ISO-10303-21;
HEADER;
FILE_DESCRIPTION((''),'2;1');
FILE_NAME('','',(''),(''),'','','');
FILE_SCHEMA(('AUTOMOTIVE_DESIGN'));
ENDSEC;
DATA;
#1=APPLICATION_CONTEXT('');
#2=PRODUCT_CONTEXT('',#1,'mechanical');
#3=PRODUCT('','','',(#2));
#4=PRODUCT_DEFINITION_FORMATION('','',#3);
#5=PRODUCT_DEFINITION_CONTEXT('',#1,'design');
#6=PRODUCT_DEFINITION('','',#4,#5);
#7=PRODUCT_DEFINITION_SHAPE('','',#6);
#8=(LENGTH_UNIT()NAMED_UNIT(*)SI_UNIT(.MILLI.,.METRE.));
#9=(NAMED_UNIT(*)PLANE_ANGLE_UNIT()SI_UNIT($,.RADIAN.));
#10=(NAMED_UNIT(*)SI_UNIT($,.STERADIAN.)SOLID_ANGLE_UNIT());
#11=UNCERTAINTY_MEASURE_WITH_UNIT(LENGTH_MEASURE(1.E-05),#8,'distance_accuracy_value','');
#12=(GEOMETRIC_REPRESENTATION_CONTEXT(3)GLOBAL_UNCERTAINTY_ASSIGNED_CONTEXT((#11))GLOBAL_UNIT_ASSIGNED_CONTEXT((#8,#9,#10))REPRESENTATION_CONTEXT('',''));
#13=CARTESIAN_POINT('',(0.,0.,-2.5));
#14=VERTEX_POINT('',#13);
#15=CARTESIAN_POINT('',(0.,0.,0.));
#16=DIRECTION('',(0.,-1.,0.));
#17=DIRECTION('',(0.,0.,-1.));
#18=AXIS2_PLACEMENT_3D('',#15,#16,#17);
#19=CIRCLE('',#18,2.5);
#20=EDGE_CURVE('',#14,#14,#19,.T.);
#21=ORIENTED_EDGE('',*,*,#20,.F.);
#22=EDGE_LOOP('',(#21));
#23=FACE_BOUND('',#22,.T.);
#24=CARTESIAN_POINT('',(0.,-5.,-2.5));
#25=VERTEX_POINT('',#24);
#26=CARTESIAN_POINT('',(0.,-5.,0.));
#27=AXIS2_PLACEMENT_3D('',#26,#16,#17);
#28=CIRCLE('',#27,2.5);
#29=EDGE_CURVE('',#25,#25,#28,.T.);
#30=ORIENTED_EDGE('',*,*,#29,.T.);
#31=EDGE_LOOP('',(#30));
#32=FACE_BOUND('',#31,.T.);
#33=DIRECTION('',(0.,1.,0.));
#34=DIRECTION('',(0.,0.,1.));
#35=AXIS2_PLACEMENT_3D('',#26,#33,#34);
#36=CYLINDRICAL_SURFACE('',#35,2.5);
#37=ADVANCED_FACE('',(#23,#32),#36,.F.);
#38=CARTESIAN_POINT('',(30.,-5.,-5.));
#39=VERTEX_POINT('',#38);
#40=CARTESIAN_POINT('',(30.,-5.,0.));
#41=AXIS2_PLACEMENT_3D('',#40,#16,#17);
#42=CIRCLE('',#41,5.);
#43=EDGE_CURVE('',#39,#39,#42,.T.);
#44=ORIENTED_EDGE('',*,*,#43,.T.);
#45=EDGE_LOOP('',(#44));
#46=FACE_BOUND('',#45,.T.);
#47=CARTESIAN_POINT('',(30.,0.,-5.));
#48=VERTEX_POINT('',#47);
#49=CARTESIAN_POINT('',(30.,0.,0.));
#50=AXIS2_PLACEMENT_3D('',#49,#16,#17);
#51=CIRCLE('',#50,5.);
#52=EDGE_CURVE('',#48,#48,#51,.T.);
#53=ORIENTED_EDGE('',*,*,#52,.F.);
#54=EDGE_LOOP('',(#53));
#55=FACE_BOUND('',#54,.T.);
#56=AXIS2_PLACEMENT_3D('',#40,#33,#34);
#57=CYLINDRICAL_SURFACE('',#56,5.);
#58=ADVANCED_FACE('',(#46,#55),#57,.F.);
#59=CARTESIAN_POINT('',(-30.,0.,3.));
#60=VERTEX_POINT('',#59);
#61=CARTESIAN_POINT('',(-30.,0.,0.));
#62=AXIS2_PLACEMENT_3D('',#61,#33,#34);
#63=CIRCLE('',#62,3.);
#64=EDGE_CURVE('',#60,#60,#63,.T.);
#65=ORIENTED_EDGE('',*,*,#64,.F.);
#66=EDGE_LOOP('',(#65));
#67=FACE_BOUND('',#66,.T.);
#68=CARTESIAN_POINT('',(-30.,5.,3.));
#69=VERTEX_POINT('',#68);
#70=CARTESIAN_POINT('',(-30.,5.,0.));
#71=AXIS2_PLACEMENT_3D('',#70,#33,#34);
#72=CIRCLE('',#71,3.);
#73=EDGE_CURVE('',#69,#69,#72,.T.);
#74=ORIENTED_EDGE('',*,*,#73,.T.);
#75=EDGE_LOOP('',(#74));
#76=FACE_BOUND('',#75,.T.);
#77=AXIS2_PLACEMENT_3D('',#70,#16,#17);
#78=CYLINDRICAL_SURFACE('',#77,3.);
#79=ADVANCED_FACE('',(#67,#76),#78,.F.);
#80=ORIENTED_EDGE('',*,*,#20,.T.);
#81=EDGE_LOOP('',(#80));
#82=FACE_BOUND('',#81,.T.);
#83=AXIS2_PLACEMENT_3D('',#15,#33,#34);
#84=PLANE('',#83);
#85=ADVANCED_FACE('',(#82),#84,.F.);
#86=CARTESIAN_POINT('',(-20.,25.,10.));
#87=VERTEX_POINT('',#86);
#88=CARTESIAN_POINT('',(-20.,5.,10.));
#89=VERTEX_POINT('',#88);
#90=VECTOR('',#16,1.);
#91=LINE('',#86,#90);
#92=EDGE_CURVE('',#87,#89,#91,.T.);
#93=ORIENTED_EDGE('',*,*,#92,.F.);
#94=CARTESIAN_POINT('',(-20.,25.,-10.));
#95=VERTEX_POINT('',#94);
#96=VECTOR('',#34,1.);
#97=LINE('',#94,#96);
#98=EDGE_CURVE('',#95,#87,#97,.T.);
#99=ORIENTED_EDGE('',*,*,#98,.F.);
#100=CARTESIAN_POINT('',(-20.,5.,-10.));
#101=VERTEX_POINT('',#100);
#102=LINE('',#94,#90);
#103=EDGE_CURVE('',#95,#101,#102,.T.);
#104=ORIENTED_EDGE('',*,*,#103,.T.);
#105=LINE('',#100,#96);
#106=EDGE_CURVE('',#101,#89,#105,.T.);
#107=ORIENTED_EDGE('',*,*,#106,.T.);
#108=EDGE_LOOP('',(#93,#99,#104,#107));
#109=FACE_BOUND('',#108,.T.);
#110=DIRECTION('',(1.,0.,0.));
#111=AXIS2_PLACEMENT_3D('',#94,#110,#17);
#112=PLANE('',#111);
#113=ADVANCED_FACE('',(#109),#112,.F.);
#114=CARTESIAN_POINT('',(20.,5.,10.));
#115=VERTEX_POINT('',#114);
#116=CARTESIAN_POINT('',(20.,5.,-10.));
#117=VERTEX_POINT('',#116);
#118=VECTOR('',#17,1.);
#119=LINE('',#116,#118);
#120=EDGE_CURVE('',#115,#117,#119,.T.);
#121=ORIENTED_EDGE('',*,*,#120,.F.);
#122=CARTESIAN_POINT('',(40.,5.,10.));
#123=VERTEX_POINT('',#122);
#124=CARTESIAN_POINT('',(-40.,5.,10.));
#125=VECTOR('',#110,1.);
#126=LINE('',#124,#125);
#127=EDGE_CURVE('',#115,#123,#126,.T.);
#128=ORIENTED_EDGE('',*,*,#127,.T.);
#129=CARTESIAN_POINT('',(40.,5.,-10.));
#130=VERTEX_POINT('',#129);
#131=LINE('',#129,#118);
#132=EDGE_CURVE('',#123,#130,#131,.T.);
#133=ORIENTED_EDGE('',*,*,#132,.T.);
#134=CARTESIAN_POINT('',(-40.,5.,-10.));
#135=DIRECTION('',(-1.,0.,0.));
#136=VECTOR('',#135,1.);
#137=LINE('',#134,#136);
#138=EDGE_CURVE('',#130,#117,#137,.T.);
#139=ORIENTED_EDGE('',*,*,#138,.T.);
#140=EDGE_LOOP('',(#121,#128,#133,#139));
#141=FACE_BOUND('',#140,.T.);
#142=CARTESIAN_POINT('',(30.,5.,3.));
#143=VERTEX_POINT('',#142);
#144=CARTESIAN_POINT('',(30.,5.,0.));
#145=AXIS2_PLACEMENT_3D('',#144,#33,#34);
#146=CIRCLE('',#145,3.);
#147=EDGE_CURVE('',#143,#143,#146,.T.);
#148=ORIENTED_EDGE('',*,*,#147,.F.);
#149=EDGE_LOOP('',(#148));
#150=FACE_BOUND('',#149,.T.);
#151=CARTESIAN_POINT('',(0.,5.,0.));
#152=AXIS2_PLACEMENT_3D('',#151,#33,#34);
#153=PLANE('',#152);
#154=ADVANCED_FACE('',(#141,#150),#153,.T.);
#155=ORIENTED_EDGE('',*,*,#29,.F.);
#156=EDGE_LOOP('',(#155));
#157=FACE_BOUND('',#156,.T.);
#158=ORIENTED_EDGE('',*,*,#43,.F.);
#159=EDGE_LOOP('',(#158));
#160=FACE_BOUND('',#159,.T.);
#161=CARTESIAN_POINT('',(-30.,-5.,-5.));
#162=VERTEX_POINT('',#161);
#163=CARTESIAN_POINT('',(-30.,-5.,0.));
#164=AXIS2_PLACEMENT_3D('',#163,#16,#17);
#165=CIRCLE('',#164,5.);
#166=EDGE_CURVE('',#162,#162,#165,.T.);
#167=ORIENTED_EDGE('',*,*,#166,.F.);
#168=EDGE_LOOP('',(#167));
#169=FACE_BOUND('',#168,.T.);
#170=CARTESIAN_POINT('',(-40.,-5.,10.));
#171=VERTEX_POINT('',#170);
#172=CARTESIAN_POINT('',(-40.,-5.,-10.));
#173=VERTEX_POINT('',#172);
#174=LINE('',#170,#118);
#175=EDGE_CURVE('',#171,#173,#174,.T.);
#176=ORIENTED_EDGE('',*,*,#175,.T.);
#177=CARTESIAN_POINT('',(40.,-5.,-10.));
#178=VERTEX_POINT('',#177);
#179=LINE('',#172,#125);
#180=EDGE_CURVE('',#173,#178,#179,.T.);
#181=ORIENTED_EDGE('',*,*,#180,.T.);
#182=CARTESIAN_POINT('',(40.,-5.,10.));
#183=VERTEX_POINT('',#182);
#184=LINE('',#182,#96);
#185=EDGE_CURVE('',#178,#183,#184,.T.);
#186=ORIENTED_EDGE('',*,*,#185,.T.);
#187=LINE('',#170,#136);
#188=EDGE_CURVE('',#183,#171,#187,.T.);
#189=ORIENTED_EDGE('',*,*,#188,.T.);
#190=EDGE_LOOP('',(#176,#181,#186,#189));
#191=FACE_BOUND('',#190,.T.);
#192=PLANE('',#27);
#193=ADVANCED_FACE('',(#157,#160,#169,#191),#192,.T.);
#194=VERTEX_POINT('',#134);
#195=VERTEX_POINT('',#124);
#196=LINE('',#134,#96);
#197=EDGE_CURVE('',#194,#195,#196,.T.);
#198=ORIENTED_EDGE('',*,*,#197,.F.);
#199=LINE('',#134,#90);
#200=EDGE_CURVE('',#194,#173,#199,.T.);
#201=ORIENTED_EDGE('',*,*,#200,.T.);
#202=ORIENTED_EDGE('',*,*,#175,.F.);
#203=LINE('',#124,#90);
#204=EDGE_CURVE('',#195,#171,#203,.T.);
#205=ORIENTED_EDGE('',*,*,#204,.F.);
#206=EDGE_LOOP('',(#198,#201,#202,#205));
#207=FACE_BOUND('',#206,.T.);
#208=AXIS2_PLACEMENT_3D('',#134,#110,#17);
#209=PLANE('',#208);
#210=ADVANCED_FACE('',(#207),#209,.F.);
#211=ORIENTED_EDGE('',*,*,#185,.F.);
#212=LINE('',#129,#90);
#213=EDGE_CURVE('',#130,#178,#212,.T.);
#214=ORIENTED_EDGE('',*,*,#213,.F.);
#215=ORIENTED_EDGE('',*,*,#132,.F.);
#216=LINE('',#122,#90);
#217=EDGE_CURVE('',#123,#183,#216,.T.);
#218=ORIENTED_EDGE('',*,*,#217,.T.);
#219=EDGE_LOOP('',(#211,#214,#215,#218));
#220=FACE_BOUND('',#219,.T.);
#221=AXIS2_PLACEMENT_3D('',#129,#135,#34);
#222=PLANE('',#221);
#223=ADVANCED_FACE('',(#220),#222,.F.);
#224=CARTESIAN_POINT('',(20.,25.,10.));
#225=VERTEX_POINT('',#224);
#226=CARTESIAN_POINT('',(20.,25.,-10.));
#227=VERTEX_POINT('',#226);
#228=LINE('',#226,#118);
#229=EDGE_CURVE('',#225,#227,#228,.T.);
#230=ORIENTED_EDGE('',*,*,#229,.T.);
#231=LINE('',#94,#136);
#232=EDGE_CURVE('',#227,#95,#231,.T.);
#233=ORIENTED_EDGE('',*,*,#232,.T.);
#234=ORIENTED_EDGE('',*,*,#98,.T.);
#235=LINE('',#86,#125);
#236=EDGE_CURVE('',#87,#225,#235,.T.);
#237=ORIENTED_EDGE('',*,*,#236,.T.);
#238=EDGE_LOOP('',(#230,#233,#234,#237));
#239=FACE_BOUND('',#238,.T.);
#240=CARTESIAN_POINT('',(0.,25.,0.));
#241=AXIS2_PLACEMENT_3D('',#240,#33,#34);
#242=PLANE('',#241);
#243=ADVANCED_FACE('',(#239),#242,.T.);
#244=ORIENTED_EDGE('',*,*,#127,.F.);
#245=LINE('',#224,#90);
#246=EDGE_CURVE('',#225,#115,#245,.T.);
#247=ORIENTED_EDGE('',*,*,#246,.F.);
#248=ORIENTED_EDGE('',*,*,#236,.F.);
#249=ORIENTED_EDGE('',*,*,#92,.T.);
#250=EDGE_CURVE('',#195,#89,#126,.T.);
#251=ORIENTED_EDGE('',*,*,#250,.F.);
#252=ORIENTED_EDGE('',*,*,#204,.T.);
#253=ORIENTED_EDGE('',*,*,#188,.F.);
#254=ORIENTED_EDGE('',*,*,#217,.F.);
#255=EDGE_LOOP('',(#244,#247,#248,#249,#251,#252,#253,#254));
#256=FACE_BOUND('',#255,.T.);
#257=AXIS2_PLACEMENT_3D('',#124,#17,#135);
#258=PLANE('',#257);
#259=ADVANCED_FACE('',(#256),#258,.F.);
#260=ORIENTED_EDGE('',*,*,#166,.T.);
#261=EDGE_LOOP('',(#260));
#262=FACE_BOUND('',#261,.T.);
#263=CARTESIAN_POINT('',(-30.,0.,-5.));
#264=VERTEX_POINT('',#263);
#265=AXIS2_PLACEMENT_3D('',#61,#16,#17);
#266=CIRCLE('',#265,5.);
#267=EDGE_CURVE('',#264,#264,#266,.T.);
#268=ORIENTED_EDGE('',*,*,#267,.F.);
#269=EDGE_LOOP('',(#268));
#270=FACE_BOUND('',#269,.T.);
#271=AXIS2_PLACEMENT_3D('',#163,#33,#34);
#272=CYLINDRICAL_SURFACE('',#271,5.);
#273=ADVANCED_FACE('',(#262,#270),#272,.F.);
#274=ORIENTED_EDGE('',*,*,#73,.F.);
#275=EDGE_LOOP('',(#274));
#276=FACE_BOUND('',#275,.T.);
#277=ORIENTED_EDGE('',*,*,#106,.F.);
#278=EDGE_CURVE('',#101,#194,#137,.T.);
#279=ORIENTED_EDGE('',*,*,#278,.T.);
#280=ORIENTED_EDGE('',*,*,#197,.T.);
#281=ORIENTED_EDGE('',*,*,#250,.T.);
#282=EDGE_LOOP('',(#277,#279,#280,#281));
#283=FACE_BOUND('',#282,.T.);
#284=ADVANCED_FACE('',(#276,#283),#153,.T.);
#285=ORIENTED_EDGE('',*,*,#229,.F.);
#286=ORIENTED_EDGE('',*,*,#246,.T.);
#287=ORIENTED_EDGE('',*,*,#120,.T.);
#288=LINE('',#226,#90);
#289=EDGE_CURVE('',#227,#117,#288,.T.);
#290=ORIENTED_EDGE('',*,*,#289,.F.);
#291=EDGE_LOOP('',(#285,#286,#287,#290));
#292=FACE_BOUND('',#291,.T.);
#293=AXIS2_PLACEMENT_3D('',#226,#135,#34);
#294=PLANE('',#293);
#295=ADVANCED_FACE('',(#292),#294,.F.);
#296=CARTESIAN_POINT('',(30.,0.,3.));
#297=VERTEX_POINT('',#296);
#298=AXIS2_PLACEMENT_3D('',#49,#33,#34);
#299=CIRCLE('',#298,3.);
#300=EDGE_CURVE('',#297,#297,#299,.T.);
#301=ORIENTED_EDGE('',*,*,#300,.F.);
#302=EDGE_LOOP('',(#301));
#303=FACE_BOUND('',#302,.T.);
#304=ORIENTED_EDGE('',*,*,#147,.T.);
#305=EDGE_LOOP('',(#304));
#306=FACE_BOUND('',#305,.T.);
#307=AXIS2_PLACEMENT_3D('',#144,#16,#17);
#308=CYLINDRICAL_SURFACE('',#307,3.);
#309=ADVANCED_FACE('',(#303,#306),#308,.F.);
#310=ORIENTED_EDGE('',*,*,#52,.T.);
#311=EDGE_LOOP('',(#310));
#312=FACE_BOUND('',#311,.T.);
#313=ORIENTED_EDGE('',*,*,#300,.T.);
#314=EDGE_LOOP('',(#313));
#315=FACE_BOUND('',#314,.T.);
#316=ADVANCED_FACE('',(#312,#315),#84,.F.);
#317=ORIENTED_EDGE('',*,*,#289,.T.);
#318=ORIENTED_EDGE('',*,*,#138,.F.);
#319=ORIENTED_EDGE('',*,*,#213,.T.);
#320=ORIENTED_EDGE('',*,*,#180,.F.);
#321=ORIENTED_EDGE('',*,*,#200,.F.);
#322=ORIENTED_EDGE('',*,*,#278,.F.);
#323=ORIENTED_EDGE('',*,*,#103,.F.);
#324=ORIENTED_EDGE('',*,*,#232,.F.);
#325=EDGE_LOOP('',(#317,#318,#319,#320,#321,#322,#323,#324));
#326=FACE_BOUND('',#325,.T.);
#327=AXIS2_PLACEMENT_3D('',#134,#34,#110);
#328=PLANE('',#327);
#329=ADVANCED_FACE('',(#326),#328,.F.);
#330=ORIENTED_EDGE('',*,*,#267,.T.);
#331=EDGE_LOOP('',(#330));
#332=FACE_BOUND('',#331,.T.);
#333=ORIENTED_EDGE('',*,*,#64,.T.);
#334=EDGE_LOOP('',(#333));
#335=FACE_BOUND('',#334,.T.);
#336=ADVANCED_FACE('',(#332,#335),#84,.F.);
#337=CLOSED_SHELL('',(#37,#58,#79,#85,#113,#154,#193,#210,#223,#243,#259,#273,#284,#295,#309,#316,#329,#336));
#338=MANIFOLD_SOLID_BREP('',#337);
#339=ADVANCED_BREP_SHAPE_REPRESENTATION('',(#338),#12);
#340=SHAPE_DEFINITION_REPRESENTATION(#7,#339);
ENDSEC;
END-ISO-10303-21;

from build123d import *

# Parameters (mm, degrees)
SKETCH_1_W      = 80
SKETCH_1_H      = 20
SKETCH_1_R      = 3
EXTRUDE_1_DEPTH = 5
SKETCH_2_W      = 40
SKETCH_2_H      = 20
EXTRUDE_2_DEPTH = 20
SKETCH_3_W      = 80
SKETCH_3_H      = 20
SKETCH_3_R      = 5
SKETCH_3_R_2    = 2.5
EXTRUDE_3_DEPTH = 5


with BuildPart() as part:
    # 草图1 → 凸台-拉伸1 (new body)
    with BuildSketch(Plane(origin=(0, 0, 0), x_dir=(1, 0, 0), z_dir=(0, 1, 0))):
        Rectangle(SKETCH_1_W, SKETCH_1_H)
        with Locations(Location((-30, 0, 0), (0, 0, 270))):
            Circle(SKETCH_1_R, mode=Mode.SUBTRACT)
        with Locations(Location((30, 0, 0), (0, 0, 270))):
            Circle(SKETCH_1_R, mode=Mode.SUBTRACT)
    extrude(amount=EXTRUDE_1_DEPTH)

    # 草图2 → 凸台-拉伸2 (add)
    with BuildSketch(Plane(origin=(0, 5, 0), x_dir=(1, 0, 0), z_dir=(0, 1, 0))):
        Rectangle(SKETCH_2_W, SKETCH_2_H)
    extrude(amount=EXTRUDE_2_DEPTH)

    # 草图3 → 凸台-拉伸3 (add)
    with BuildSketch(Plane.XZ):
        Rectangle(SKETCH_3_W, SKETCH_3_H)
        with Locations(Location((-30, 0, 0), (0, 0, 270))):
            Circle(SKETCH_3_R, mode=Mode.SUBTRACT)
        with Locations(Location((30, 0, 0), (0, 0, 270))):
            Circle(SKETCH_3_R, mode=Mode.SUBTRACT)
        with Locations(Location((0, 0, 0), (0, 0, 270))):
            Circle(SKETCH_3_R_2, mode=Mode.SUBTRACT)
    extrude(amount=EXTRUDE_3_DEPTH)


solid = part.part
